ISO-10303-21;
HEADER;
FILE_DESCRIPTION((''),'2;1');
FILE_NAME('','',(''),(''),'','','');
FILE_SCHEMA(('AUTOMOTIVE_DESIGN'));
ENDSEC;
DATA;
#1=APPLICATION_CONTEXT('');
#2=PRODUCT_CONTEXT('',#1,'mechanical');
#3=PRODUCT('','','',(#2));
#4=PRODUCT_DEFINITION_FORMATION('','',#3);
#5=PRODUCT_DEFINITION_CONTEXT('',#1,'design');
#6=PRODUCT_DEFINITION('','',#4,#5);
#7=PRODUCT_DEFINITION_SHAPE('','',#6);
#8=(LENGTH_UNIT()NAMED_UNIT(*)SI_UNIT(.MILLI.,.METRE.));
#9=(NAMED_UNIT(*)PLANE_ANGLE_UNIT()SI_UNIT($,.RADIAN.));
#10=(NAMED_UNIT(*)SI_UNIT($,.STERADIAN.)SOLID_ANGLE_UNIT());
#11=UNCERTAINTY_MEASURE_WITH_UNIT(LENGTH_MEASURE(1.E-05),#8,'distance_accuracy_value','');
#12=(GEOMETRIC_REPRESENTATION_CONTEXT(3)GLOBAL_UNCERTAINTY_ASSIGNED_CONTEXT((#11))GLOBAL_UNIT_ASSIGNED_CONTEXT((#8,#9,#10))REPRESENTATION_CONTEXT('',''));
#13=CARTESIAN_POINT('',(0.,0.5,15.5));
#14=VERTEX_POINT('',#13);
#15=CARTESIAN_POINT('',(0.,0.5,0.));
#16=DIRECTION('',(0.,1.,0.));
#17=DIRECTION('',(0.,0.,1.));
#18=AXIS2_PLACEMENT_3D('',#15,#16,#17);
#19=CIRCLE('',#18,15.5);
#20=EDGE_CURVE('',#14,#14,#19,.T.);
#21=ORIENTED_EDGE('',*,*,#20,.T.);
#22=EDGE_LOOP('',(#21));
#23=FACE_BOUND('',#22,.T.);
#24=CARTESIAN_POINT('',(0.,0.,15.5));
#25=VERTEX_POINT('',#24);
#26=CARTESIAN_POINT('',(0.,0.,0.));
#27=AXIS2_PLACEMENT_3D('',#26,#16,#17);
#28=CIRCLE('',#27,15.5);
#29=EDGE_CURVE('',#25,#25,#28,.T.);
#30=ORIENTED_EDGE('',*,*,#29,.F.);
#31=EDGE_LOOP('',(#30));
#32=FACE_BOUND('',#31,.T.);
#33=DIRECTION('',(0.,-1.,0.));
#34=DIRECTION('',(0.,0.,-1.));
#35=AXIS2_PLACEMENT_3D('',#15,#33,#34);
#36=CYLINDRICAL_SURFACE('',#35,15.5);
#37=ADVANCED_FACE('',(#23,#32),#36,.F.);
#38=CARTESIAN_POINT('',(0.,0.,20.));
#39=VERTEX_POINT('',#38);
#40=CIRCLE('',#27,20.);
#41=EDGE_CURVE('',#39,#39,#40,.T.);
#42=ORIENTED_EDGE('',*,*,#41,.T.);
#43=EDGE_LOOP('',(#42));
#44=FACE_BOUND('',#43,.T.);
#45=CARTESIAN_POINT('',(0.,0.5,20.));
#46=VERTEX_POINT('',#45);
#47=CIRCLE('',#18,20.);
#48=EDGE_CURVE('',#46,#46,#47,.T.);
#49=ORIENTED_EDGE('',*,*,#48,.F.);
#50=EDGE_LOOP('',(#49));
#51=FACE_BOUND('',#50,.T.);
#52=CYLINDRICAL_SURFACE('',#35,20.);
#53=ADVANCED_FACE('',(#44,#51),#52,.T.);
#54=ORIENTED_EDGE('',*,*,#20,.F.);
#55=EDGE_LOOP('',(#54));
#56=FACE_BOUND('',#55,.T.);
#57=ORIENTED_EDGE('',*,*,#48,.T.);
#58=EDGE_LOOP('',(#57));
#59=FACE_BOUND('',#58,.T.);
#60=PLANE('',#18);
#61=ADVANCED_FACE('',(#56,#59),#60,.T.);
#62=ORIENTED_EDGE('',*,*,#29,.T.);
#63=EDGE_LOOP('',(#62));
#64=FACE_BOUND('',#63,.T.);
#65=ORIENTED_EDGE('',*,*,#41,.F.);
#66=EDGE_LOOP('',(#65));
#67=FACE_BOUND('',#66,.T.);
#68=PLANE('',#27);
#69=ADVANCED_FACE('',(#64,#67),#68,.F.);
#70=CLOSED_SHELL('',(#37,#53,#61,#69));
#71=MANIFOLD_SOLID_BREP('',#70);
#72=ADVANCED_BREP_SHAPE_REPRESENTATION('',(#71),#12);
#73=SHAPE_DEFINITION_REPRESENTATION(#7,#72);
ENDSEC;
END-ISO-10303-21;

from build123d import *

# Parameters (mm, degrees)
ESQUISSE1_R        = 2
ESQUISSE1_R_2      = 1.55
BOSS_EXTRU_1_DEPTH = 0.05
ECHELLE1_SCALE     = 10


with BuildPart() as part:
    # Esquisse1 → Boss.-Extru.1 (new body)
    with BuildSketch(Plane(origin=(0, 0, 0), x_dir=(1, 0, 0), z_dir=(0, 1, 0))):
        Circle(ESQUISSE1_R)
        Circle(ESQUISSE1_R_2, mode=Mode.SUBTRACT)
    extrude(amount=BOSS_EXTRU_1_DEPTH)


with BuildPart() as part_1:
    # Echelle1: scaled about (0, 0, 0)
    add(part.part.scale(ECHELLE1_SCALE))


solid = part_1.part
